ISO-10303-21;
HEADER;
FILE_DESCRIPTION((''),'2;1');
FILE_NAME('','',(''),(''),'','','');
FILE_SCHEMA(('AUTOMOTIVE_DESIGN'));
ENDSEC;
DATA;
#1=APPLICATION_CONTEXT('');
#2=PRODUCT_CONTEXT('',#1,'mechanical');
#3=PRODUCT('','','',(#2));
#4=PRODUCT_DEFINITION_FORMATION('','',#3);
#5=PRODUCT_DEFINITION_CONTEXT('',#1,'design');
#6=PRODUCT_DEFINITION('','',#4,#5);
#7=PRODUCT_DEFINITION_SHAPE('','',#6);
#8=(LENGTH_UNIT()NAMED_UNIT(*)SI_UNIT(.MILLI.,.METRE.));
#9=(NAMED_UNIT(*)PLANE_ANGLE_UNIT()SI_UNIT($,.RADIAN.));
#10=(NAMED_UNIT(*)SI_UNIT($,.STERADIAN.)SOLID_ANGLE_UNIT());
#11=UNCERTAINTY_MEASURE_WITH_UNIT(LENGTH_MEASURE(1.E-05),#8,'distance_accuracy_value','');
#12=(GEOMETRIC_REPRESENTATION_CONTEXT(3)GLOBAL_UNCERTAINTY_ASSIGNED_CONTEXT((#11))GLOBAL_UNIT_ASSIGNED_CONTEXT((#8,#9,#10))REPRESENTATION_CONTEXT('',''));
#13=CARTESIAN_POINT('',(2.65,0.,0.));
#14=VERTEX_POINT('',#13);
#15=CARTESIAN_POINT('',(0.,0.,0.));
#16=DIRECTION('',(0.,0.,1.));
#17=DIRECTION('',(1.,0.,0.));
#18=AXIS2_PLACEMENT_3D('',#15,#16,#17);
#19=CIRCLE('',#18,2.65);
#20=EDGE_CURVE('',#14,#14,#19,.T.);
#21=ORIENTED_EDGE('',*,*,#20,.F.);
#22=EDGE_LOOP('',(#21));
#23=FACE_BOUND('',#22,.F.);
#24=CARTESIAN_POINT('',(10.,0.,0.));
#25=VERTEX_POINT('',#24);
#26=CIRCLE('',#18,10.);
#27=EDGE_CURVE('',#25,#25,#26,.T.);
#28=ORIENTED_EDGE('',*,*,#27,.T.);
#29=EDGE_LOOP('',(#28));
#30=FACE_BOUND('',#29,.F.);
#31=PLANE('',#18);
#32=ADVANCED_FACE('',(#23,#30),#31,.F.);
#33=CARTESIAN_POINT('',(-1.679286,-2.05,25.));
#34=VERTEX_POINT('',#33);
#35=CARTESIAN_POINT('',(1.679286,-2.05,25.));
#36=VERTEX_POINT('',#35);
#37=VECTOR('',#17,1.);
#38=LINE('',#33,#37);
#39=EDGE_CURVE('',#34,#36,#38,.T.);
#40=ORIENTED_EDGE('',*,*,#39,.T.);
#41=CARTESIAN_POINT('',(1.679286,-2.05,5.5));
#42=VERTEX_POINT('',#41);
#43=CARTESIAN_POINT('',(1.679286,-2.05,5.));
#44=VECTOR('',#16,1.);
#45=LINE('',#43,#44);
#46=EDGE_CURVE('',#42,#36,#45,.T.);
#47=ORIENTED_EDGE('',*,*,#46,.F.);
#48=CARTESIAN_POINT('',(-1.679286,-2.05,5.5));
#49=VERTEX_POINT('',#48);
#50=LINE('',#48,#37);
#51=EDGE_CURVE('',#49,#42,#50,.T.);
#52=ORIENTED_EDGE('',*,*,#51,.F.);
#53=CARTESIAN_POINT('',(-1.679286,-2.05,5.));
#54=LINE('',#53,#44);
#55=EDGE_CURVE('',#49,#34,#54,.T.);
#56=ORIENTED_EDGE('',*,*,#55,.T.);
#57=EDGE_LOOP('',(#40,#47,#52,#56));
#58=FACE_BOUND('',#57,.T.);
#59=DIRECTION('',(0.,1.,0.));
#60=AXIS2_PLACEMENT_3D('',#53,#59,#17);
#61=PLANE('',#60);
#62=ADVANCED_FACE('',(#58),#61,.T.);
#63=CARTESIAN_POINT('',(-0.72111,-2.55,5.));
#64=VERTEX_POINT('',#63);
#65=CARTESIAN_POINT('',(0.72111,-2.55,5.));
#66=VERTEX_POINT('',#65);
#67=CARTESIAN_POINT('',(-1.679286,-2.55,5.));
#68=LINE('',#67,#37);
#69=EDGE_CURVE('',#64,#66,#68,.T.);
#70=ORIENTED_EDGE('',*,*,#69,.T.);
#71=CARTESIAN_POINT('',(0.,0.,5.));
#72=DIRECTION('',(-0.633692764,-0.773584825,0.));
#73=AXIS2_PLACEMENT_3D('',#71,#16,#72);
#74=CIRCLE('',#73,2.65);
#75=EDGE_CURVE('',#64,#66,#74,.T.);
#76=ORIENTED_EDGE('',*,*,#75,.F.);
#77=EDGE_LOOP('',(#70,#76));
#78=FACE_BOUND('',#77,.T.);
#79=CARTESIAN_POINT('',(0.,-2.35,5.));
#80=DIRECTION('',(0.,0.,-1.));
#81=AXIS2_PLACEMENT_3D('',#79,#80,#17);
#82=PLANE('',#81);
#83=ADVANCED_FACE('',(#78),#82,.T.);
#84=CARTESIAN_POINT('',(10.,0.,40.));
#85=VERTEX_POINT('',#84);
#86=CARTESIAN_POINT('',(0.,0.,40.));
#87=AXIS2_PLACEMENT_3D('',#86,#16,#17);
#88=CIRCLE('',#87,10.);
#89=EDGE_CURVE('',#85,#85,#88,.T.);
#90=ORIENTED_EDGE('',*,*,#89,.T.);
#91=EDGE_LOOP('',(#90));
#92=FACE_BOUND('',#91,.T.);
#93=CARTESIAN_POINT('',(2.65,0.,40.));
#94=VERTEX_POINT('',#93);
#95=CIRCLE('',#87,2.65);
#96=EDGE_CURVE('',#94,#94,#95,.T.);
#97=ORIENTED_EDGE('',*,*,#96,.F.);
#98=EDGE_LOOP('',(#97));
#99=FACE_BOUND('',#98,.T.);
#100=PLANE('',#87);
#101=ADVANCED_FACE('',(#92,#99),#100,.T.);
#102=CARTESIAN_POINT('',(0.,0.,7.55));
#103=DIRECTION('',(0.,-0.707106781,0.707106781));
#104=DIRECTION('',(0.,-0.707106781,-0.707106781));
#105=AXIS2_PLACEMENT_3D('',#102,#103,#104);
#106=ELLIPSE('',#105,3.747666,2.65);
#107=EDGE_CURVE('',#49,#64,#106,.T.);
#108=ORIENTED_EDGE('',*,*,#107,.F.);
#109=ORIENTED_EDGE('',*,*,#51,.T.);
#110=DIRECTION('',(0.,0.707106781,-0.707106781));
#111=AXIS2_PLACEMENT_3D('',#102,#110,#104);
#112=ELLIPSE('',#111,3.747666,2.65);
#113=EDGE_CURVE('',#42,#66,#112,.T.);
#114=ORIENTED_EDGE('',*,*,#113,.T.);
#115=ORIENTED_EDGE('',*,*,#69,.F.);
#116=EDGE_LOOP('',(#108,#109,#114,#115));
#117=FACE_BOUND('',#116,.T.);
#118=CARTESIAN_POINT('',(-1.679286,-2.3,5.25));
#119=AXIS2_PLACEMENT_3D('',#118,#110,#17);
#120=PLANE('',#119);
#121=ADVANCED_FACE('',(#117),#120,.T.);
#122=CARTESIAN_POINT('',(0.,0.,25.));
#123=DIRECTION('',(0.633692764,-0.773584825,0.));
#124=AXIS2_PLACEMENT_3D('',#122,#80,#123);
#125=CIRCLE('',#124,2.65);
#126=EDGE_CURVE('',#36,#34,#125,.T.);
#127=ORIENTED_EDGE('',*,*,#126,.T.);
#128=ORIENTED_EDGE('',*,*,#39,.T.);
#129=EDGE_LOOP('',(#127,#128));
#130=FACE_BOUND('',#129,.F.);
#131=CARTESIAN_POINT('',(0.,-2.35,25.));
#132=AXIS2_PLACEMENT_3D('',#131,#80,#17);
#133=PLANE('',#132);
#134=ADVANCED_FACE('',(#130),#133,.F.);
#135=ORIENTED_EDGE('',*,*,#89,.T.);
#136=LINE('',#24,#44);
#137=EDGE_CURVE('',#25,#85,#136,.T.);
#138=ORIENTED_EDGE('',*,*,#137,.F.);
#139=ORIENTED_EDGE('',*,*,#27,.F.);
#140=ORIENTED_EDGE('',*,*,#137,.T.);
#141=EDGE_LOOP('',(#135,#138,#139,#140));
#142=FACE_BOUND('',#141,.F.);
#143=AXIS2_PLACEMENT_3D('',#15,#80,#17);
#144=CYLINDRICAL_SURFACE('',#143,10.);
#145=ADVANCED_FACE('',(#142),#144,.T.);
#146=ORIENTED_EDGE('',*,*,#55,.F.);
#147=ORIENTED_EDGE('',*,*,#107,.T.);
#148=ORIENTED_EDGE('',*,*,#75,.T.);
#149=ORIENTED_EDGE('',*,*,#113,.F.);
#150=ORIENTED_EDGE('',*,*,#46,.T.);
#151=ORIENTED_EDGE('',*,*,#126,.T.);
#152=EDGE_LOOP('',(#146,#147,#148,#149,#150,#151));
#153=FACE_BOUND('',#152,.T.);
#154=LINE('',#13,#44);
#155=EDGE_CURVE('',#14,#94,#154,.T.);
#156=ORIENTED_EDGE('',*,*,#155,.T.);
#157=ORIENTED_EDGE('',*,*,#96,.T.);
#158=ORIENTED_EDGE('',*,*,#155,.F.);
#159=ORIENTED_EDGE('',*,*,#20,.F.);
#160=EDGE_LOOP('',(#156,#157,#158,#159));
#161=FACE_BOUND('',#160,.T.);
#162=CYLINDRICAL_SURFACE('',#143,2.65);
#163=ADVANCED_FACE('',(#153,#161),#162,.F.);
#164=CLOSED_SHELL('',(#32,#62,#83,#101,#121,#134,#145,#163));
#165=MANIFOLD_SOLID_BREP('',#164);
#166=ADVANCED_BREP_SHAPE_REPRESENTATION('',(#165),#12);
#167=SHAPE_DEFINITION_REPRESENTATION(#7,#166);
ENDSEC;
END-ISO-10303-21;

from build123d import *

# Parameters (mm, degrees)
SKETCH002_R   = 10
SKETCH002_R_2 = 2.65
PAD002_DEPTH  = 40
PAD003_DEPTH  = 20
CHAMFER_SIZE  = 0.5


with BuildPart() as part:
    # Sketch002 → Pad002 (new body)
    with BuildSketch(Plane.XY):
        Circle(SKETCH002_R)
        Circle(SKETCH002_R_2, mode=Mode.SUBTRACT)
    extrude(amount=PAD002_DEPTH)

    # Sketch003 (on Face3 of Pad002) → Pad003 (join)
    with BuildSketch(Plane(origin=(0, 0, 5), x_dir=(1, 0, 0), z_dir=(0, 0, -1))):
        Polygon((-1.679286, 2.65), (-1.679286, 2.05), (1.679286, 2.05), (1.679286, 2.65), (0, 2.65), align=None)
    extrude(amount=-PAD003_DEPTH)

    # Chamfer
    chamfer_edges = [part.edges().sort_by_distance(p)[0] for p in [
        (0, -2.05, 5),
    ]]
    chamfer(chamfer_edges, length=CHAMFER_SIZE)


solid = part.part
